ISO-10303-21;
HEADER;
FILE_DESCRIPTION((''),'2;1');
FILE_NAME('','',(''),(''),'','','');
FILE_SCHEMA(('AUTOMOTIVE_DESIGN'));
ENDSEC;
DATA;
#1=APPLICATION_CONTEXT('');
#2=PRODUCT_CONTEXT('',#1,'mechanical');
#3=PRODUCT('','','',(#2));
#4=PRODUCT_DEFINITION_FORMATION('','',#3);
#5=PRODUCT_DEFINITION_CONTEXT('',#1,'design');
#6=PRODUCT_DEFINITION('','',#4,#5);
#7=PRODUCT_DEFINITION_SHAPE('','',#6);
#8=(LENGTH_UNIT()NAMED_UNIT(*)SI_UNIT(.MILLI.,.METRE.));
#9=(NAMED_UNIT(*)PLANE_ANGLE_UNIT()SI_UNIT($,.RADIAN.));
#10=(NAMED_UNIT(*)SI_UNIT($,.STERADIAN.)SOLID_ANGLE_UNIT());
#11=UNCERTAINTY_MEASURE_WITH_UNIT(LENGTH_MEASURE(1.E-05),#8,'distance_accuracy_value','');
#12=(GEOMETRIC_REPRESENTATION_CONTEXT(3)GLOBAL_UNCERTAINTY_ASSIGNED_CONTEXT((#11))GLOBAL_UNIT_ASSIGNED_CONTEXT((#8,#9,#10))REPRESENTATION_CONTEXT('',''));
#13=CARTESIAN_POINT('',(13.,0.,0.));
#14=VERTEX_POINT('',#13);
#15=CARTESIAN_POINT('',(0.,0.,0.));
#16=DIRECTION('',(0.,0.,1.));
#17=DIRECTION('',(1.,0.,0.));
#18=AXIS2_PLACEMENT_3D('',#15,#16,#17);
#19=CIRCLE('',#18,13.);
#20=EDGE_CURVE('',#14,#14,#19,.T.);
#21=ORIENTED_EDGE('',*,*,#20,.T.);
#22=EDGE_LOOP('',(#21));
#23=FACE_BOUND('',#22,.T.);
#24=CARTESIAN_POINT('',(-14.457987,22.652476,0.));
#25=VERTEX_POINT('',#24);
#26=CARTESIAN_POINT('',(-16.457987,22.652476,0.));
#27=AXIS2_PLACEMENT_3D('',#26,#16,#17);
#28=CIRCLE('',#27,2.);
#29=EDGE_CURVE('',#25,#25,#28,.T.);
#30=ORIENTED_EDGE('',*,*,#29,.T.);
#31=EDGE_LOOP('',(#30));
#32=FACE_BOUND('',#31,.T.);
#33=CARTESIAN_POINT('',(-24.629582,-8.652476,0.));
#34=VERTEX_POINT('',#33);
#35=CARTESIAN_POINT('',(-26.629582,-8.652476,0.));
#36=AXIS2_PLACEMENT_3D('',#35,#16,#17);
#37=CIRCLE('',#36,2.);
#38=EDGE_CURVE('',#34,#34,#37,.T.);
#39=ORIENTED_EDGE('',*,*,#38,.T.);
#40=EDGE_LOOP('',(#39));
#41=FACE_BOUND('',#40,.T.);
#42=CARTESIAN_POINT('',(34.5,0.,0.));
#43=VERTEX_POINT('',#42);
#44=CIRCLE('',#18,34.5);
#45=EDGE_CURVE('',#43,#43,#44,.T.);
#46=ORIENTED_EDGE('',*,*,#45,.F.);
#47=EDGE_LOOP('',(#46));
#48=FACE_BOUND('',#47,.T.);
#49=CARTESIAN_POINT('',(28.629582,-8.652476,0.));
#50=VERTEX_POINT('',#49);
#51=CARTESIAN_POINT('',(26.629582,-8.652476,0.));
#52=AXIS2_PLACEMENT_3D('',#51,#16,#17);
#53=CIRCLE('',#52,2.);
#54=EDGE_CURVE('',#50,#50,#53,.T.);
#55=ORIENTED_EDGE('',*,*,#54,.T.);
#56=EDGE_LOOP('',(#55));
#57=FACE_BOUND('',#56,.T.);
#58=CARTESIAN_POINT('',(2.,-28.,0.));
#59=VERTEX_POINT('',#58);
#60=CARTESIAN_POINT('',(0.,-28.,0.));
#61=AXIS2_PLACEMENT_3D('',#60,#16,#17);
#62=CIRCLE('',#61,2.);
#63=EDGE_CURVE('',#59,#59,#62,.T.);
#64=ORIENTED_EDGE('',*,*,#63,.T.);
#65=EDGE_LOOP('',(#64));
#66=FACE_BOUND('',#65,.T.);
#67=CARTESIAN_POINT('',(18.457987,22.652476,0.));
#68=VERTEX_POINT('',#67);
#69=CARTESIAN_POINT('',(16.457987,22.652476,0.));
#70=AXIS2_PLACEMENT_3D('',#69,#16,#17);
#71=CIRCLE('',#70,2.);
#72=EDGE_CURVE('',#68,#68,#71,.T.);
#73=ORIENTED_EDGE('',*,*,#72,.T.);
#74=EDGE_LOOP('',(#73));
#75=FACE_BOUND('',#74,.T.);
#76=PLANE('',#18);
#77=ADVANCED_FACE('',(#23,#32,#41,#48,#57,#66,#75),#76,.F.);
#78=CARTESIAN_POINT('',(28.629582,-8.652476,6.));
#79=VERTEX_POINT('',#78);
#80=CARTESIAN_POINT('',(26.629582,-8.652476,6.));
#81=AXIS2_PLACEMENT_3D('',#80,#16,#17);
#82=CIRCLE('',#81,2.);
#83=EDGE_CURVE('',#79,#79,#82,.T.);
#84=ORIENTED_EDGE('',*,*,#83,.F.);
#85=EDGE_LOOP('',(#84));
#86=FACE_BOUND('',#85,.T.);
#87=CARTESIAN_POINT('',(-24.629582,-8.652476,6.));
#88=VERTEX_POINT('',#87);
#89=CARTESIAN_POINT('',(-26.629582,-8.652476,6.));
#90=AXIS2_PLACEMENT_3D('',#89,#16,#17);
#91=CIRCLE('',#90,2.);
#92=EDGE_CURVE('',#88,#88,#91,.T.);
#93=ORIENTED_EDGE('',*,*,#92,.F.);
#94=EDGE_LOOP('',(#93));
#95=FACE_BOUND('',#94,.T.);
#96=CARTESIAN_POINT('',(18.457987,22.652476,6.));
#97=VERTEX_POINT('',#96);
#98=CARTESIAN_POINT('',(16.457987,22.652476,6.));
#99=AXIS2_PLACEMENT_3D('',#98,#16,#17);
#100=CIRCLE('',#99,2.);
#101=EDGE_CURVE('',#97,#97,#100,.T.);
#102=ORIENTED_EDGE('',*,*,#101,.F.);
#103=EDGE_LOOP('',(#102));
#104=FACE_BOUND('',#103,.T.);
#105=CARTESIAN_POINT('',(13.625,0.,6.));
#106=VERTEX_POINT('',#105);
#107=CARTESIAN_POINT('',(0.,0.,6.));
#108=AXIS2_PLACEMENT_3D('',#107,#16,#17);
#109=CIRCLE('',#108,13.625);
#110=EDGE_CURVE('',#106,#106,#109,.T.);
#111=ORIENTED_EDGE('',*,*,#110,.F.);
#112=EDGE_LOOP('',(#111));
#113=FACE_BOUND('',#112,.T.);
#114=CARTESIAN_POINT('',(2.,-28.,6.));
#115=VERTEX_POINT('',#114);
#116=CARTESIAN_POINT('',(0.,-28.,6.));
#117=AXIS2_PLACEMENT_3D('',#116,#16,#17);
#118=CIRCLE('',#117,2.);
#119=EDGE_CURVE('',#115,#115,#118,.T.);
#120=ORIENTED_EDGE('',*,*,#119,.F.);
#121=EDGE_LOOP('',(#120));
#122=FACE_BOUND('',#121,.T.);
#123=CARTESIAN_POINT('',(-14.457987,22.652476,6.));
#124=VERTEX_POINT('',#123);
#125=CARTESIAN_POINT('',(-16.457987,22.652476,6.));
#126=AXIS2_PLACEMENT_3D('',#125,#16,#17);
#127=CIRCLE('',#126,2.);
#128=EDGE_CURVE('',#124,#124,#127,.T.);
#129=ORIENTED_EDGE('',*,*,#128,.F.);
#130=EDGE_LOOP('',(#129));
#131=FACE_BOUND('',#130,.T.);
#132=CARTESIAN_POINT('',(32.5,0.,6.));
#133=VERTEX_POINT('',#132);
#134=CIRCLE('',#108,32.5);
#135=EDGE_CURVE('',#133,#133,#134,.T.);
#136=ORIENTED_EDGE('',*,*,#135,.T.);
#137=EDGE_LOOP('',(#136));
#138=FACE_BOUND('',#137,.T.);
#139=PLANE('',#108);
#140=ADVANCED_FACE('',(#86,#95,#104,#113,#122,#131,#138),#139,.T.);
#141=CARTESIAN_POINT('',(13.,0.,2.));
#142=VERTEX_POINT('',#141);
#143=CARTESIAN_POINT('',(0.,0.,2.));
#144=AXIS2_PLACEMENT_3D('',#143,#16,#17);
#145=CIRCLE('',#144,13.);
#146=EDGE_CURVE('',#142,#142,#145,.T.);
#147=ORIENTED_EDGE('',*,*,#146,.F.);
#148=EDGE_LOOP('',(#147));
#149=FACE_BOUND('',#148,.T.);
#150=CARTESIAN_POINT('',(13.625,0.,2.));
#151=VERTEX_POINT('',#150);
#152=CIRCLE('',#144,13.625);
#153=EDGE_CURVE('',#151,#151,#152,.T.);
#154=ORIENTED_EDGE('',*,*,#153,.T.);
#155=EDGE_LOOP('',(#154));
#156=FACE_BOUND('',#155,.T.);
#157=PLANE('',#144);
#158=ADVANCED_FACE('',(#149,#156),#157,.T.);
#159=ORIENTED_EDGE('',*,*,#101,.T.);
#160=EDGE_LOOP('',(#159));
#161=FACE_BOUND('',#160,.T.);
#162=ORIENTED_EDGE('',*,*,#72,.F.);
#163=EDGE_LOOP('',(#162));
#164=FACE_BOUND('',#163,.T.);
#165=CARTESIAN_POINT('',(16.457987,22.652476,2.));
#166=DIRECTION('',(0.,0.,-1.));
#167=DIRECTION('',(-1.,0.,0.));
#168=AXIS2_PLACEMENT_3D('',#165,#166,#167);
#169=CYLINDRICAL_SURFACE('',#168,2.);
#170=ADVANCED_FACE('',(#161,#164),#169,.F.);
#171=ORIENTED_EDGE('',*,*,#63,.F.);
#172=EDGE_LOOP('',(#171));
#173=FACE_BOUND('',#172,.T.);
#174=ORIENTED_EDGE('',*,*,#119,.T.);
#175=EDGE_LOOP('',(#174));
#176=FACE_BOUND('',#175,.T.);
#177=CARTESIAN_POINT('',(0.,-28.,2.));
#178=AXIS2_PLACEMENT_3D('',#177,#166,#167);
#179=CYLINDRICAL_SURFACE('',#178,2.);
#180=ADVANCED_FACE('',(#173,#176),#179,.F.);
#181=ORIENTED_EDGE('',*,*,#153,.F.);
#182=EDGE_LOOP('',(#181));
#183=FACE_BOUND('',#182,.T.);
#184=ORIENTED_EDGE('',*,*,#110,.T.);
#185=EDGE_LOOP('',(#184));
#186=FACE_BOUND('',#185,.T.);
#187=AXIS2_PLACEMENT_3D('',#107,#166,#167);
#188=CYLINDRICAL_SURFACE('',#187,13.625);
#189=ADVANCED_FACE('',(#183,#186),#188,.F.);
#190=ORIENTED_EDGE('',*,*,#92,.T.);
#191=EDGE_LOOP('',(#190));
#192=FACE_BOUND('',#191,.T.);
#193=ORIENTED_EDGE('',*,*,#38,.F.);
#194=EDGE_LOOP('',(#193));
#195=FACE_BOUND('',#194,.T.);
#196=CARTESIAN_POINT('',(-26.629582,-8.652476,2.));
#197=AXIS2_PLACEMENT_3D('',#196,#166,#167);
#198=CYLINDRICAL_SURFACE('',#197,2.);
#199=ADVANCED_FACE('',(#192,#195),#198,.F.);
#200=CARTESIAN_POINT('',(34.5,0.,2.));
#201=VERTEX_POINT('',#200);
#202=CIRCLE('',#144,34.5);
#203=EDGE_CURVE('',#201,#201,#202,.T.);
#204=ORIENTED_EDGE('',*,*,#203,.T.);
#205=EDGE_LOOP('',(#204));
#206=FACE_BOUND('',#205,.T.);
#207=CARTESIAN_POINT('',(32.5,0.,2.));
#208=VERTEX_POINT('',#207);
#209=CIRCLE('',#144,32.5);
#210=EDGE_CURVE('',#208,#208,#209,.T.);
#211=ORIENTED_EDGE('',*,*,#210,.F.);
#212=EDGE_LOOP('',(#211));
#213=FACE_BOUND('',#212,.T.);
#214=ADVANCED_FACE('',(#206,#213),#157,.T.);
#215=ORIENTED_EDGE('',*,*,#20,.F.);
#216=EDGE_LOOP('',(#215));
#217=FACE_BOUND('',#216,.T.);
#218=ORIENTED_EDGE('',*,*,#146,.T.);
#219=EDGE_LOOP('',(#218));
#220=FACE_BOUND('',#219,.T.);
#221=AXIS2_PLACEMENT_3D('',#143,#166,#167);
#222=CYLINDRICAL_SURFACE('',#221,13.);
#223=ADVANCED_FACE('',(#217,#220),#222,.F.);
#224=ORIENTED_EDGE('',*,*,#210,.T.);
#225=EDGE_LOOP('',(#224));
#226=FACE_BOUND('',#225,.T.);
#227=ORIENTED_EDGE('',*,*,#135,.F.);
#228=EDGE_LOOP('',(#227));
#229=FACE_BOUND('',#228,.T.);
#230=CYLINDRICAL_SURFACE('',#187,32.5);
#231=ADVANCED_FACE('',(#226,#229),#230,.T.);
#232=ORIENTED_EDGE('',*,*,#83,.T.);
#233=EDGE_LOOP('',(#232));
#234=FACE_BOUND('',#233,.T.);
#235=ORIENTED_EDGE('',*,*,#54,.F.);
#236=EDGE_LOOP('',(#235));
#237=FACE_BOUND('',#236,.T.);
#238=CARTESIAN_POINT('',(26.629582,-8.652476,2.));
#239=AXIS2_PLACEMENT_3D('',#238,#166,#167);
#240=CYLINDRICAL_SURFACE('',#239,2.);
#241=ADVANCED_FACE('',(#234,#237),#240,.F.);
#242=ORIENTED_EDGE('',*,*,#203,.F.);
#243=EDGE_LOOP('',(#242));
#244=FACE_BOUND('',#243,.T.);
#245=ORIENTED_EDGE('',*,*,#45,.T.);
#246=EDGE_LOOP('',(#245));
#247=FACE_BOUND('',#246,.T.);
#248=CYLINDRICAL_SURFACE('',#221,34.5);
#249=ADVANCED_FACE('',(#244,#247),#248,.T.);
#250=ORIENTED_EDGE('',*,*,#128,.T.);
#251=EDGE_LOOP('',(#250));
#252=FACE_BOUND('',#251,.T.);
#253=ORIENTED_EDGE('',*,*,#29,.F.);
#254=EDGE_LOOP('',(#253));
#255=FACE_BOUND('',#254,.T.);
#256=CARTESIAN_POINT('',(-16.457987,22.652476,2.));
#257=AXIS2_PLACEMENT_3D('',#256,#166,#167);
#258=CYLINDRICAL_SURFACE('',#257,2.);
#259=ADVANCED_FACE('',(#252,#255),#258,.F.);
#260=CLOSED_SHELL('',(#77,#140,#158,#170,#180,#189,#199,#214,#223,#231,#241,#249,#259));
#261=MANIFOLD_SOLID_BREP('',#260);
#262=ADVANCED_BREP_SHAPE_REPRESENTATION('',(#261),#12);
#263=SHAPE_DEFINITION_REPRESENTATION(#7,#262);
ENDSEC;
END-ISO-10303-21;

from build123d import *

# Parameters (mm, degrees)
SKETCH_1_R      = 34.5
SKETCH_1_R_2    = 13
SKETCH_1_R_3    = 2
EXTRUDE_1_DEPTH = 2
SKETCH_2_R      = 32.5
SKETCH_2_R_2    = 13.625
SKETCH_2_R_3    = 2
EXTRUDE_2_DEPTH = 4


with BuildPart() as part:
    # 草图1 → 凸台-拉伸1 (new body)
    with BuildSketch(Plane.XY):
        Circle(SKETCH_1_R)
        Circle(SKETCH_1_R_2, mode=Mode.SUBTRACT)
        with Locations((0, -28)):
            Circle(SKETCH_1_R_3, mode=Mode.SUBTRACT)
        with Locations((-26.629582456, -8.652475842)):
            Circle(SKETCH_1_R_3, mode=Mode.SUBTRACT)
        with Locations((-16.457987064, 22.652475842)):
            Circle(SKETCH_1_R_3, mode=Mode.SUBTRACT)
        with Locations((16.457987064, 22.652475842)):
            Circle(SKETCH_1_R_3, mode=Mode.SUBTRACT)
        with Locations((26.629582456, -8.652475842)):
            Circle(SKETCH_1_R_3, mode=Mode.SUBTRACT)
    extrude(amount=EXTRUDE_1_DEPTH)

    # 草图2 → 凸台-拉伸2 (add)
    with BuildSketch(Plane.XY.offset(2)):
        Circle(SKETCH_2_R)
        Circle(SKETCH_2_R_2, mode=Mode.SUBTRACT)
        with Locations((0, -28)):
            Circle(SKETCH_2_R_3, mode=Mode.SUBTRACT)
        with Locations((-26.629582456, -8.652475842)):
            Circle(SKETCH_2_R_3, mode=Mode.SUBTRACT)
        with Locations((-16.457987064, 22.652475842)):
            Circle(SKETCH_2_R_3, mode=Mode.SUBTRACT)
        with Locations((16.457987064, 22.652475842)):
            Circle(SKETCH_2_R_3, mode=Mode.SUBTRACT)
        with Locations((26.629582456, -8.652475842)):
            Circle(SKETCH_2_R_3, mode=Mode.SUBTRACT)
    extrude(amount=EXTRUDE_2_DEPTH)


solid = part.part
